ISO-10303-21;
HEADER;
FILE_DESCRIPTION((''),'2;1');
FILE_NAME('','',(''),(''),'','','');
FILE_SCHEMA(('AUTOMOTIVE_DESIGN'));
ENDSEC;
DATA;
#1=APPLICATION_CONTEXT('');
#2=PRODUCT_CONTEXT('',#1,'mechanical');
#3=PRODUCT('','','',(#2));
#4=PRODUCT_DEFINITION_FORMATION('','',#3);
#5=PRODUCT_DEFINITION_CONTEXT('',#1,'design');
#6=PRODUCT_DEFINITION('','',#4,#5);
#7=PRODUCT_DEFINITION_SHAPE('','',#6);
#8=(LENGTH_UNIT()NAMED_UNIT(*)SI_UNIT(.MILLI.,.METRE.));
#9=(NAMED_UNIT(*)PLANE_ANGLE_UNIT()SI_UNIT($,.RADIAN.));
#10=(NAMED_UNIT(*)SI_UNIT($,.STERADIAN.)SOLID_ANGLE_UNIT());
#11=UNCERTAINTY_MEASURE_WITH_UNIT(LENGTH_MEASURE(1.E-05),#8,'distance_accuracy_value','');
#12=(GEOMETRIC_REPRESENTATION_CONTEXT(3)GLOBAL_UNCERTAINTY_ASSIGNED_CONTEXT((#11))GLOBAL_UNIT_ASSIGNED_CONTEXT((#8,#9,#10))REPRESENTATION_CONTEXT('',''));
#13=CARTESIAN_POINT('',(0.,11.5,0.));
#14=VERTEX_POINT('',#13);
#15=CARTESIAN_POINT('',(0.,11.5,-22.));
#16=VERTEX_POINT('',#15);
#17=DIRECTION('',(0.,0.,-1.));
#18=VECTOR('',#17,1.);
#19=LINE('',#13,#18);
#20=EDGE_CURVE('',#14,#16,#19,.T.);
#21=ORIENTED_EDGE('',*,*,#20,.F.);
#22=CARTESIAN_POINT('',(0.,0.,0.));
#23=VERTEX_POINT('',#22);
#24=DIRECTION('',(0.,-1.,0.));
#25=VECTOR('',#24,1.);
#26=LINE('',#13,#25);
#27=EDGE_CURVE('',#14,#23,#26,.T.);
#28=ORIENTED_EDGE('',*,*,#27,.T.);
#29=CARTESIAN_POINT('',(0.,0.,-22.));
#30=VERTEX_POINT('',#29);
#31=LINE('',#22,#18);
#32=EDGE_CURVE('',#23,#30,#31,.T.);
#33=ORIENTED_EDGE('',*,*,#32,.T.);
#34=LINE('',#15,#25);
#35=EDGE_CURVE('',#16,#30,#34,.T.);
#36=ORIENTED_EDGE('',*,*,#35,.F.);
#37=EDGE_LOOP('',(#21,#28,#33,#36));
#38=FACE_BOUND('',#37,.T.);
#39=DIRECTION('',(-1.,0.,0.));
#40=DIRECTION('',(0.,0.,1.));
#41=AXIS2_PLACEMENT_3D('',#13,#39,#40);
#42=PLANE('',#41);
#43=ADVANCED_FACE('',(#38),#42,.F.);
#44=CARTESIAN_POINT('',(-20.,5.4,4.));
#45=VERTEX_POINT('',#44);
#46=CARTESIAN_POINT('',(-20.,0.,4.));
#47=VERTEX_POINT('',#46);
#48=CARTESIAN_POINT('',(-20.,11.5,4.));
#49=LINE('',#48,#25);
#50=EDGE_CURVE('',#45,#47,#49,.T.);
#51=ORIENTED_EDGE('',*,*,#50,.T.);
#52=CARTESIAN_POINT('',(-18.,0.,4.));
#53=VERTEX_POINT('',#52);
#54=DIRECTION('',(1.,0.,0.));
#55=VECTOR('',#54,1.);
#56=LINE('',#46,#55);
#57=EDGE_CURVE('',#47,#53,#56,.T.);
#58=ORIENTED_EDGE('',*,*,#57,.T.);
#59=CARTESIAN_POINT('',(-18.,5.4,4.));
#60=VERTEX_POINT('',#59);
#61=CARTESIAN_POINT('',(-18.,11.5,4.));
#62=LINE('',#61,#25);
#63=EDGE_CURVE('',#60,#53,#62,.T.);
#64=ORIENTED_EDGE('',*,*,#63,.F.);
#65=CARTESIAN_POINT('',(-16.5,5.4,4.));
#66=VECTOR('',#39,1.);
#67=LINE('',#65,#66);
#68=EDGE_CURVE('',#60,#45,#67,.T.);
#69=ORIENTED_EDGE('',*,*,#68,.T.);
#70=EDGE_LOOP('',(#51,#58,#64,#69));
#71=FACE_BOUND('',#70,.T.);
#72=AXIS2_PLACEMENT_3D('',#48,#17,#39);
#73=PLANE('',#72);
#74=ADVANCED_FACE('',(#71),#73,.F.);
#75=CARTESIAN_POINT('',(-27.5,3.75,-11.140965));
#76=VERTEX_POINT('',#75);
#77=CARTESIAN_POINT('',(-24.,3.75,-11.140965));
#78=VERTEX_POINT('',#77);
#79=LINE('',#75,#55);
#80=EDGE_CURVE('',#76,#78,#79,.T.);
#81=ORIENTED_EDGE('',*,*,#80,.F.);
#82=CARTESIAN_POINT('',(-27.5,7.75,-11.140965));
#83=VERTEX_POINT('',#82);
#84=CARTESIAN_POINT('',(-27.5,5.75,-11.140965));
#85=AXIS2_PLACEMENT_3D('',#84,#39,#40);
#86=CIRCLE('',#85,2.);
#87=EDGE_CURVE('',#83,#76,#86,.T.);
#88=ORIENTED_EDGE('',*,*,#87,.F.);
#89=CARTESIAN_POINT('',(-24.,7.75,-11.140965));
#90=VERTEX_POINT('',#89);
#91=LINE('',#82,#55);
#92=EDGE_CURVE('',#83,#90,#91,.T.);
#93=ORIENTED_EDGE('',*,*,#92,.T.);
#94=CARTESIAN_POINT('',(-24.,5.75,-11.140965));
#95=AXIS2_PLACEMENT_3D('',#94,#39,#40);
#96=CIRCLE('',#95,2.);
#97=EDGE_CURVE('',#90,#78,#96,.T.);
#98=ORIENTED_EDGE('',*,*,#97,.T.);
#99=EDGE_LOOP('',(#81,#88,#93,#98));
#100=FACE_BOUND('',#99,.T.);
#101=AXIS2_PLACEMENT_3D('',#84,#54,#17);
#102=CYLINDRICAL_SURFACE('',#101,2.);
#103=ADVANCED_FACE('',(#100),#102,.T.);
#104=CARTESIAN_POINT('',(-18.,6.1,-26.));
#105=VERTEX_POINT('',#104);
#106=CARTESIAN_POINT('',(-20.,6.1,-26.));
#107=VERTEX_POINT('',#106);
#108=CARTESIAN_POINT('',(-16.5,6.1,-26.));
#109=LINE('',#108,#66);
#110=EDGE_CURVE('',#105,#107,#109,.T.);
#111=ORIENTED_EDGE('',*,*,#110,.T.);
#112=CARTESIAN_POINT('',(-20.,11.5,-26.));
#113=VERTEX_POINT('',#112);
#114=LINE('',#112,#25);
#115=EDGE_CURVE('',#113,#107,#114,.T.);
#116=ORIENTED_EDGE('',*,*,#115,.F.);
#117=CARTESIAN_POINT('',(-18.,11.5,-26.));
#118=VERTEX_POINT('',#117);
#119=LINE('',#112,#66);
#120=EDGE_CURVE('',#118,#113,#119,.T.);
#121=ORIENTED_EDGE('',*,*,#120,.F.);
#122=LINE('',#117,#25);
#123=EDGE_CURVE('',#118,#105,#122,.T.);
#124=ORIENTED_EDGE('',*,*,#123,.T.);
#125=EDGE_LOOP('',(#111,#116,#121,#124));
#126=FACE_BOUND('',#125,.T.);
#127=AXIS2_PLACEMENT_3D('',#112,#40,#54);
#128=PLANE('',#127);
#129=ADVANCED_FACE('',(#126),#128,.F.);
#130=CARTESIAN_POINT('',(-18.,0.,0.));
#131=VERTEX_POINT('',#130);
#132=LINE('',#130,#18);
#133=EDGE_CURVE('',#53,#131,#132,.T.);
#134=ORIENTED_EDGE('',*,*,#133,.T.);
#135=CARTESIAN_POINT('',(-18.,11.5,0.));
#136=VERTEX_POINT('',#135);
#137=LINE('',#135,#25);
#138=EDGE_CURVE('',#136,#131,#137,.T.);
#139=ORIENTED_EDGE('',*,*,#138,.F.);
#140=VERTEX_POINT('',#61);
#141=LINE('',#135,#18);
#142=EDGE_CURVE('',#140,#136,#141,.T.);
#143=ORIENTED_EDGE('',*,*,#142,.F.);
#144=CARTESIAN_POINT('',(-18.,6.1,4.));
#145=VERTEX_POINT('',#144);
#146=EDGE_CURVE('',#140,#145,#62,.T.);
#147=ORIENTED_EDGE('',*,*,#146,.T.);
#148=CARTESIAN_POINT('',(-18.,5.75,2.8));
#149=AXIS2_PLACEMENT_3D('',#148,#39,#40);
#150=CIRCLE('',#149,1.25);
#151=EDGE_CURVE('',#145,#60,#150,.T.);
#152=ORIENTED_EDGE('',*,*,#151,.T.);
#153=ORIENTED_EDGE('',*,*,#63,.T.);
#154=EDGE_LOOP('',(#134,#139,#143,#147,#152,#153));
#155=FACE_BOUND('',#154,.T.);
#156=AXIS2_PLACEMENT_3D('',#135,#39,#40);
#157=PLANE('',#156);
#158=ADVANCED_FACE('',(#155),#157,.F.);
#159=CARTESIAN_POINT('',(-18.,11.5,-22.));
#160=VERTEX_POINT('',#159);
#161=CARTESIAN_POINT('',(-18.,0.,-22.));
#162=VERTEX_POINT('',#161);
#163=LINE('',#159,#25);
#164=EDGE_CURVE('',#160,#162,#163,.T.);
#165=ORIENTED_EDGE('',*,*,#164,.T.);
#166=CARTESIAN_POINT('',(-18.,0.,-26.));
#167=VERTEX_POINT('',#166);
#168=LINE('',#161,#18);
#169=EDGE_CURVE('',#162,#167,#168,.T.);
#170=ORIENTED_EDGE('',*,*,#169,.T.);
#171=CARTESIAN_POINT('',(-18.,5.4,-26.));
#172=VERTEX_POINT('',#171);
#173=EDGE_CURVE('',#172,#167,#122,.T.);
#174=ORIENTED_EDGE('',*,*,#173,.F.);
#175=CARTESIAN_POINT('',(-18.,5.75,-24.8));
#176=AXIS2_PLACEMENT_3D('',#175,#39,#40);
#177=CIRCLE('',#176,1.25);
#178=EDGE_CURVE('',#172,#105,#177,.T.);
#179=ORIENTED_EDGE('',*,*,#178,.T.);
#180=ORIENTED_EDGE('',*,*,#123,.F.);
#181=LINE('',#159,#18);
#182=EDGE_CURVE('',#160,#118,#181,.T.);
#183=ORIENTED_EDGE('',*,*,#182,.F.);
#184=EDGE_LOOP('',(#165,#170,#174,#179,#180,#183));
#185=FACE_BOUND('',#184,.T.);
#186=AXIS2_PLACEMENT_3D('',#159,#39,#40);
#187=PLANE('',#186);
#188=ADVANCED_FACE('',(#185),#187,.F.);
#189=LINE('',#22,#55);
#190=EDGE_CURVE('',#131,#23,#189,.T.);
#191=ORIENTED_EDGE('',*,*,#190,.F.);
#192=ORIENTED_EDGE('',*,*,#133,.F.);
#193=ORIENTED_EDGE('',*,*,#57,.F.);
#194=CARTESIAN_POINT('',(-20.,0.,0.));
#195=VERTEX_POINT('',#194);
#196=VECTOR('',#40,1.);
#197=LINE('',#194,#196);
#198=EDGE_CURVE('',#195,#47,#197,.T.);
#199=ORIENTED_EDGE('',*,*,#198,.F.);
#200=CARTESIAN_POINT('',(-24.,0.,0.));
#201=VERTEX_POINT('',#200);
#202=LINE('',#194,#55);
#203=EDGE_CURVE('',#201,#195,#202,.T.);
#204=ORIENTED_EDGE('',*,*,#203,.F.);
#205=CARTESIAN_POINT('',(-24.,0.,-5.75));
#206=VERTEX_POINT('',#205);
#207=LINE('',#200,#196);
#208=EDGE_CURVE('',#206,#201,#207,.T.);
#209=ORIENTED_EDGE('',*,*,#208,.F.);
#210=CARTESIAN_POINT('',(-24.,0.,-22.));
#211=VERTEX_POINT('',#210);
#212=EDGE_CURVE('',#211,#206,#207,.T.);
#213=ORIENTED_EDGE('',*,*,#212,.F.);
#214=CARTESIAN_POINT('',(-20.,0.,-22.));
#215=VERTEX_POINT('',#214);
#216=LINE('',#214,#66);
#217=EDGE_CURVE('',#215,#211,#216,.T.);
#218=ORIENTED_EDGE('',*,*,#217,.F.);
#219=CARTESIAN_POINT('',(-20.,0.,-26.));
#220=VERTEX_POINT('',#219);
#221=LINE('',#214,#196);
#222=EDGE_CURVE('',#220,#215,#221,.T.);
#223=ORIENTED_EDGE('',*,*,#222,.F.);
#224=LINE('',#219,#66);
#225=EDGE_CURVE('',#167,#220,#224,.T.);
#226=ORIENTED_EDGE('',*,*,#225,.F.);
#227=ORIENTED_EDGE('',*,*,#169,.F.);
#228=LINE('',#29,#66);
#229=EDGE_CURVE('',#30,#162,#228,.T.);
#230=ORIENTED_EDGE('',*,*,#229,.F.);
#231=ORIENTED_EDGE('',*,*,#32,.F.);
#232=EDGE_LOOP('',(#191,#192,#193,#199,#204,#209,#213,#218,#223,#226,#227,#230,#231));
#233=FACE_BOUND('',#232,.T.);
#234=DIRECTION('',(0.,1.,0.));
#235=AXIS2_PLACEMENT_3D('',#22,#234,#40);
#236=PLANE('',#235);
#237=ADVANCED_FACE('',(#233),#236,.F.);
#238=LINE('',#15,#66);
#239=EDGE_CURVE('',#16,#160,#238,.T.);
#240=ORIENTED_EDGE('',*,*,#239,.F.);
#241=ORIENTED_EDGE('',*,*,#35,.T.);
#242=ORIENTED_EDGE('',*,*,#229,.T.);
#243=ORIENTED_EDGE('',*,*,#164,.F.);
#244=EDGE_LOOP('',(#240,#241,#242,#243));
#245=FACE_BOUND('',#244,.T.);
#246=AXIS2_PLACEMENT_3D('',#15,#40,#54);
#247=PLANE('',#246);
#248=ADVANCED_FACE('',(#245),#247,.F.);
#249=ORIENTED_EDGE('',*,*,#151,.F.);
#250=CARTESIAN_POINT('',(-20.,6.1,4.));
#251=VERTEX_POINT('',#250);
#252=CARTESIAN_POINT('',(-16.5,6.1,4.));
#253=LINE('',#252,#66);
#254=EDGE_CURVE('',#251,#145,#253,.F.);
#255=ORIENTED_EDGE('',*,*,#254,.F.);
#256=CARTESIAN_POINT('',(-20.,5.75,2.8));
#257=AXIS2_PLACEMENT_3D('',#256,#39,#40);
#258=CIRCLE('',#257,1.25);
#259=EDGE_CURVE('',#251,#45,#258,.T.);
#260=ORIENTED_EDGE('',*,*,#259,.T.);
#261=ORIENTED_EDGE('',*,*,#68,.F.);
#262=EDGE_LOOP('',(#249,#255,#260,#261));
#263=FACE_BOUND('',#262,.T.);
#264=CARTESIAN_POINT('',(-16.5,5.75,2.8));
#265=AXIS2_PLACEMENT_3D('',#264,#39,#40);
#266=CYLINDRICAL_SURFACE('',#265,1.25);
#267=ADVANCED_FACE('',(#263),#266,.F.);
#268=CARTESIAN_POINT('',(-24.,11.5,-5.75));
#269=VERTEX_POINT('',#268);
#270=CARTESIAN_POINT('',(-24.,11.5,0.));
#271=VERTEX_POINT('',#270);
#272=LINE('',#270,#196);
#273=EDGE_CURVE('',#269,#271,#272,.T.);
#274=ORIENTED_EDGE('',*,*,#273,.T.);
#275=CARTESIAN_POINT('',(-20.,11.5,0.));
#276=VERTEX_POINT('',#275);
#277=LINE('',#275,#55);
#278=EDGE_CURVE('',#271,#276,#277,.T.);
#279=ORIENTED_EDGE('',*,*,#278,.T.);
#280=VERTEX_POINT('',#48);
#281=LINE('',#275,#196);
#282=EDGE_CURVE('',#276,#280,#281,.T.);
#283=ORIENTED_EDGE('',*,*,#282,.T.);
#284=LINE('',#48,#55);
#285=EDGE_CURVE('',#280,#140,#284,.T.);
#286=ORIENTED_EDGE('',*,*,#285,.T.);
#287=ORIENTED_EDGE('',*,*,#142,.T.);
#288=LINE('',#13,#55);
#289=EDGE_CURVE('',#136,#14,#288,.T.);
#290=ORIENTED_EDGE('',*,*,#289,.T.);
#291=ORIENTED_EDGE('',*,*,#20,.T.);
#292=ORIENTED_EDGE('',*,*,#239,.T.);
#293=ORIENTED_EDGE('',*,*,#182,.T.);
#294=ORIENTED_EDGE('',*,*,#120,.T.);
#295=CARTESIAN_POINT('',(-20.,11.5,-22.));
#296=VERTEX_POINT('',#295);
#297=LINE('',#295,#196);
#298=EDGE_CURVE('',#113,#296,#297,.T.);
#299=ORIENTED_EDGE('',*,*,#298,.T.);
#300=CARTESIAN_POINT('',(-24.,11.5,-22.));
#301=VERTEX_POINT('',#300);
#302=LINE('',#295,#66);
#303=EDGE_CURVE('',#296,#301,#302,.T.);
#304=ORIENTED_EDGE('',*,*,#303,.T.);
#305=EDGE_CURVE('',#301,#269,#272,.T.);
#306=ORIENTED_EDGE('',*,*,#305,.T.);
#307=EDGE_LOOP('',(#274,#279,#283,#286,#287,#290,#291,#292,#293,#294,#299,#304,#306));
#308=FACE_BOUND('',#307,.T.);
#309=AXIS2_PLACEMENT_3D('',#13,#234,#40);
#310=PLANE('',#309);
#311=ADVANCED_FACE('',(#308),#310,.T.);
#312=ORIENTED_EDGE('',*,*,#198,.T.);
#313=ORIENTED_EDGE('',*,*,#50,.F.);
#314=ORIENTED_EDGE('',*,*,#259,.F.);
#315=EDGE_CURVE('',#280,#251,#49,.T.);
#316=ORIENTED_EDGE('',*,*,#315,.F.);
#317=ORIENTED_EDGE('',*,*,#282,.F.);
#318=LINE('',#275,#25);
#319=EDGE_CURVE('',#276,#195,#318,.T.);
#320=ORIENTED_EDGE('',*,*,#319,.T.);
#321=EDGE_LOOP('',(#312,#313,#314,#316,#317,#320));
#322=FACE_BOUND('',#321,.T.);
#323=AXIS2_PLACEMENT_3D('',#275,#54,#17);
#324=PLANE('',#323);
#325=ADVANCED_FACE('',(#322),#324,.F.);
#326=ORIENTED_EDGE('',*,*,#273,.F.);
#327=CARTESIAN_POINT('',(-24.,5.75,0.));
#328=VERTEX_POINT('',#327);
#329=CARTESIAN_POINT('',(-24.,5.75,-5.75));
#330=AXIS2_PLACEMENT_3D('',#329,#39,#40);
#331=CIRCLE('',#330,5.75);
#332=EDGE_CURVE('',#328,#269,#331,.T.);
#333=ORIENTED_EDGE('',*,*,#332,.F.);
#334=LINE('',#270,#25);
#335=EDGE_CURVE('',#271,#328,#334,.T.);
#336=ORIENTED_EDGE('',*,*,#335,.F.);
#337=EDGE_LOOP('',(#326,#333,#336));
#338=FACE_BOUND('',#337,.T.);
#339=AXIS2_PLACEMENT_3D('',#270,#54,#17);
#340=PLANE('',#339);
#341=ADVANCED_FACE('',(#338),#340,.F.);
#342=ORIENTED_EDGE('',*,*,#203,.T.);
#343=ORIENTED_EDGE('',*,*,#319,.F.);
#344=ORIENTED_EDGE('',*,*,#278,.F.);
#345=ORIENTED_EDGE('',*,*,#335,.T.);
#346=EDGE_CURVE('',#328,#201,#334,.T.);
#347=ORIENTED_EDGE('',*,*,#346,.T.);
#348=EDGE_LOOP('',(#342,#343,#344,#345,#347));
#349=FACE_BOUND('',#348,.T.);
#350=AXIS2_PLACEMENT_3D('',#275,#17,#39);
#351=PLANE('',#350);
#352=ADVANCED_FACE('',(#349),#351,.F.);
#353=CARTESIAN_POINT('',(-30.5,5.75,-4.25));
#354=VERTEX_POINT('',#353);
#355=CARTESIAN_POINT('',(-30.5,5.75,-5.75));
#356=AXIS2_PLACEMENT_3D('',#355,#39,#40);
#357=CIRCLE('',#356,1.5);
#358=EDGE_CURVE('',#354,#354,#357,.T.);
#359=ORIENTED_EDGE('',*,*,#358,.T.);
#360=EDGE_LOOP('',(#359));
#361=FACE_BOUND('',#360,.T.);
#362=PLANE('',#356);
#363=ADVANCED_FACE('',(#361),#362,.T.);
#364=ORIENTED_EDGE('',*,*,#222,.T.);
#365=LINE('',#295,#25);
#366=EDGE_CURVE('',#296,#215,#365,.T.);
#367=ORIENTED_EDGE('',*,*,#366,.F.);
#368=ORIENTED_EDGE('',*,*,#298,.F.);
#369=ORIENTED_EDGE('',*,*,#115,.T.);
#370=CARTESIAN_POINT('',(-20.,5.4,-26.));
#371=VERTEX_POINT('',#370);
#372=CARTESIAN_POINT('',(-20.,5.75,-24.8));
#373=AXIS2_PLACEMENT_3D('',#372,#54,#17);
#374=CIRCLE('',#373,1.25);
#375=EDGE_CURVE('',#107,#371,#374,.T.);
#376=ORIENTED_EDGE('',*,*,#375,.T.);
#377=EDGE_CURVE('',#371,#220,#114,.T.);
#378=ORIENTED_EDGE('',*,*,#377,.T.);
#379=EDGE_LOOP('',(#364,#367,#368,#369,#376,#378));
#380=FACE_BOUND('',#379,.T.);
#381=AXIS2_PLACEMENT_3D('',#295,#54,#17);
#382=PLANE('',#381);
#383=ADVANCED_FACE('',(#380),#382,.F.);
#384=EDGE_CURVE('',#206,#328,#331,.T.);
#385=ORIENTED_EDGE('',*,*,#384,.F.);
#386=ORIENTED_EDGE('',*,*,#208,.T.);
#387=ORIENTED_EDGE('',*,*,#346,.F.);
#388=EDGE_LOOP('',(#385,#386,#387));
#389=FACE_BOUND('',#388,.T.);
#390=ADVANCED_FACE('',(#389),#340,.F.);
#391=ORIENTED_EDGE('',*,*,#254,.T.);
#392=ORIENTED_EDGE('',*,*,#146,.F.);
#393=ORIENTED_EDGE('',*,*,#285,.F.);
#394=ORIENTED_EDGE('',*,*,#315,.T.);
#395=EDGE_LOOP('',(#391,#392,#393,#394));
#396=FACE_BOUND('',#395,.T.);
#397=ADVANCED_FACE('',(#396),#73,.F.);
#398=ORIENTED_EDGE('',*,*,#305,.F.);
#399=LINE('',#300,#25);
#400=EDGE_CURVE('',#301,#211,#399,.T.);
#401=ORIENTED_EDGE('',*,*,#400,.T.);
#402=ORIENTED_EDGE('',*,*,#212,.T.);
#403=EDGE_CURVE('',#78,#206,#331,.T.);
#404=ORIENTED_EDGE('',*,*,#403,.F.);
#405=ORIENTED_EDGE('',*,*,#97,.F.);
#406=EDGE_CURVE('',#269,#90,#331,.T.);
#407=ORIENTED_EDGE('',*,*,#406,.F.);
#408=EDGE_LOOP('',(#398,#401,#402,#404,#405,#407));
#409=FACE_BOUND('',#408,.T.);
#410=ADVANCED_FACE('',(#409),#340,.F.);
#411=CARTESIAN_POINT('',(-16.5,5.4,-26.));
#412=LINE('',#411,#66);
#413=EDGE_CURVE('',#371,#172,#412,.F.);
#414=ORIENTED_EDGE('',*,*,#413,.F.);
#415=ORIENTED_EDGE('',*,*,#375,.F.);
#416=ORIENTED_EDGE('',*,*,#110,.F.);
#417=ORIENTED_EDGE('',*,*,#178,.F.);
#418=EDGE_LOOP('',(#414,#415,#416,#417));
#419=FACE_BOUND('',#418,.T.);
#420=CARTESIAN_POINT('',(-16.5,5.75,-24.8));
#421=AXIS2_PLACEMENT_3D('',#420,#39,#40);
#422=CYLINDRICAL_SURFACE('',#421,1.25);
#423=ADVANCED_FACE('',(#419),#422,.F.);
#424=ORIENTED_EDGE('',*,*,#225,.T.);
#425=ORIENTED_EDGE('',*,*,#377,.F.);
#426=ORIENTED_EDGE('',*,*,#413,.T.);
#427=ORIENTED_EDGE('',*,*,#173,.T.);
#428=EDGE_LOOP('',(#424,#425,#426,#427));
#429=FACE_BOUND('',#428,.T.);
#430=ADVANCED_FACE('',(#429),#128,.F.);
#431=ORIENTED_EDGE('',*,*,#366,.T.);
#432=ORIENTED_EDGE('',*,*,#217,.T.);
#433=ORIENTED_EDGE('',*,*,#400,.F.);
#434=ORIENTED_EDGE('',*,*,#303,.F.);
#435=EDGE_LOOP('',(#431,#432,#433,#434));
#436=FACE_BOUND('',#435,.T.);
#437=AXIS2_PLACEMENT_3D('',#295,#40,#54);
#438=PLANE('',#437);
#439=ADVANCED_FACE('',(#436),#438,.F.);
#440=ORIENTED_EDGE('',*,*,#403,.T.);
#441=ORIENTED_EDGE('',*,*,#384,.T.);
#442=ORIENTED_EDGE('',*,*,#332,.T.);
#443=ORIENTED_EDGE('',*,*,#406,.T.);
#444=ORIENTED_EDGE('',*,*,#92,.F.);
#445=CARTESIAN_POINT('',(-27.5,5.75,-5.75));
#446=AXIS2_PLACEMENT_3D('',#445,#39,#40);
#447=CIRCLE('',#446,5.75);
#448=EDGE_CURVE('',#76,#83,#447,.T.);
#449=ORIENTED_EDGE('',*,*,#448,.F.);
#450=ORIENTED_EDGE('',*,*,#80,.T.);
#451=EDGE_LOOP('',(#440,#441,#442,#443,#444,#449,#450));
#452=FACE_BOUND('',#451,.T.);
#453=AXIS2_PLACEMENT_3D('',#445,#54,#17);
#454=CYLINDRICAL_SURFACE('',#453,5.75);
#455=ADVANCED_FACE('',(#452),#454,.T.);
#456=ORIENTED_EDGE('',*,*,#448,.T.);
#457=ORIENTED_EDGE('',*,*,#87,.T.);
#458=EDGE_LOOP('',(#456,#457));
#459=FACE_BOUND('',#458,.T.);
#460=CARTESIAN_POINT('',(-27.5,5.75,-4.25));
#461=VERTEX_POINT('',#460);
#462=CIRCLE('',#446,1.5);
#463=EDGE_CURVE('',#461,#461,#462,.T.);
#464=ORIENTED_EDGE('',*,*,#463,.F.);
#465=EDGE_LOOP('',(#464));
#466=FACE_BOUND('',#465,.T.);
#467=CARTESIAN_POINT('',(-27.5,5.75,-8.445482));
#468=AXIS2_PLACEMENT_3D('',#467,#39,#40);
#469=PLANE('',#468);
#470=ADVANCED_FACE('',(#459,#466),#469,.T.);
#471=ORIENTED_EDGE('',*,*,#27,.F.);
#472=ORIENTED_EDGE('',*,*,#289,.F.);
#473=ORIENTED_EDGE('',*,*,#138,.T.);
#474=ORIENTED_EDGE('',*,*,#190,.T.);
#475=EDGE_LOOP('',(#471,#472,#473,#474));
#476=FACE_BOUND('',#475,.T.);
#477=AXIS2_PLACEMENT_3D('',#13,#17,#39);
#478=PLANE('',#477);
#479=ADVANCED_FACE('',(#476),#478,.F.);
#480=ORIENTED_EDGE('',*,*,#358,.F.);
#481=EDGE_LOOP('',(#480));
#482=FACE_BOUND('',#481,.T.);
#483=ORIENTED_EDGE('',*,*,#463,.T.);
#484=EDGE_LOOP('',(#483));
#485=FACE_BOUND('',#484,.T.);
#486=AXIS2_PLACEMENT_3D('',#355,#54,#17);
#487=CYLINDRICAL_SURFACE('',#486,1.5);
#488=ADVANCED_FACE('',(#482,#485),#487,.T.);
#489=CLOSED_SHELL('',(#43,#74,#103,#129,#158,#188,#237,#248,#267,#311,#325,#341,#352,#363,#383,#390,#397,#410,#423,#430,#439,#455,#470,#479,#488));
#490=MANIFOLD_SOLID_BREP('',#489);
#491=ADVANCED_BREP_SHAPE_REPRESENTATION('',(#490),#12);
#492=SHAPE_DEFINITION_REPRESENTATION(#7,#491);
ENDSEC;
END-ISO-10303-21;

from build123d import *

# Parameters (mm, degrees)
BOSS_EXTRUDE1_DEPTH = 11.5
BOSS_EXTRUDE2_DEPTH = 3.5
SKETCH4_R           = 1.5
BOSS_EXTRUDE3_DEPTH = 3
SKETCH5_R           = 1.25
CUT_EXTRUDE1_DEPTH  = 3.5


with BuildPart() as part:
    # Sketch1 → Boss-Extrude1 (new body)
    with BuildSketch(Plane(origin=(0, 0, 0), x_dir=(1, 0, 0), z_dir=(0, 1, 0))):
        Polygon((-20, 0), (-24, 0), (-24, 22), (-20, 22), (-20, 26), (-18, 26), (-18, 22), (0, 22), (0, 0), (-18, 0), (-18, -4), (-20, -4), align=None)
    extrude(amount=BOSS_EXTRUDE1_DEPTH)

    # Sketch2 → Boss-Extrude2 (add)
    with BuildSketch(Plane.ZY.offset(24)):
        with BuildLine():
            ThreePointArc((-11.140964663, 3.75), (0, 5.75), (-11.140964663, 7.75))
            ThreePointArc((-11.140964663, 7.75), (-13.140964663, 5.75), (-11.140964663, 3.75))
        make_face()
    extrude(amount=BOSS_EXTRUDE2_DEPTH)

    # Sketch4 → Boss-Extrude3 (add)
    with BuildSketch(Plane.ZY.offset(27.5)):
        with Locations((-5.75, 5.75)):
            Circle(SKETCH4_R)
    extrude(amount=BOSS_EXTRUDE3_DEPTH)

    # Sketch5 → Cut-Extrude1 (cut)
    with BuildSketch(Plane.ZY.offset(20)):
        with Locations((-24.8, 5.75)):
            Circle(SKETCH5_R)
        with Locations((2.8, 5.75)):
            Circle(SKETCH5_R)
    extrude(amount=-CUT_EXTRUDE1_DEPTH, mode=Mode.SUBTRACT)


solid = part.part
